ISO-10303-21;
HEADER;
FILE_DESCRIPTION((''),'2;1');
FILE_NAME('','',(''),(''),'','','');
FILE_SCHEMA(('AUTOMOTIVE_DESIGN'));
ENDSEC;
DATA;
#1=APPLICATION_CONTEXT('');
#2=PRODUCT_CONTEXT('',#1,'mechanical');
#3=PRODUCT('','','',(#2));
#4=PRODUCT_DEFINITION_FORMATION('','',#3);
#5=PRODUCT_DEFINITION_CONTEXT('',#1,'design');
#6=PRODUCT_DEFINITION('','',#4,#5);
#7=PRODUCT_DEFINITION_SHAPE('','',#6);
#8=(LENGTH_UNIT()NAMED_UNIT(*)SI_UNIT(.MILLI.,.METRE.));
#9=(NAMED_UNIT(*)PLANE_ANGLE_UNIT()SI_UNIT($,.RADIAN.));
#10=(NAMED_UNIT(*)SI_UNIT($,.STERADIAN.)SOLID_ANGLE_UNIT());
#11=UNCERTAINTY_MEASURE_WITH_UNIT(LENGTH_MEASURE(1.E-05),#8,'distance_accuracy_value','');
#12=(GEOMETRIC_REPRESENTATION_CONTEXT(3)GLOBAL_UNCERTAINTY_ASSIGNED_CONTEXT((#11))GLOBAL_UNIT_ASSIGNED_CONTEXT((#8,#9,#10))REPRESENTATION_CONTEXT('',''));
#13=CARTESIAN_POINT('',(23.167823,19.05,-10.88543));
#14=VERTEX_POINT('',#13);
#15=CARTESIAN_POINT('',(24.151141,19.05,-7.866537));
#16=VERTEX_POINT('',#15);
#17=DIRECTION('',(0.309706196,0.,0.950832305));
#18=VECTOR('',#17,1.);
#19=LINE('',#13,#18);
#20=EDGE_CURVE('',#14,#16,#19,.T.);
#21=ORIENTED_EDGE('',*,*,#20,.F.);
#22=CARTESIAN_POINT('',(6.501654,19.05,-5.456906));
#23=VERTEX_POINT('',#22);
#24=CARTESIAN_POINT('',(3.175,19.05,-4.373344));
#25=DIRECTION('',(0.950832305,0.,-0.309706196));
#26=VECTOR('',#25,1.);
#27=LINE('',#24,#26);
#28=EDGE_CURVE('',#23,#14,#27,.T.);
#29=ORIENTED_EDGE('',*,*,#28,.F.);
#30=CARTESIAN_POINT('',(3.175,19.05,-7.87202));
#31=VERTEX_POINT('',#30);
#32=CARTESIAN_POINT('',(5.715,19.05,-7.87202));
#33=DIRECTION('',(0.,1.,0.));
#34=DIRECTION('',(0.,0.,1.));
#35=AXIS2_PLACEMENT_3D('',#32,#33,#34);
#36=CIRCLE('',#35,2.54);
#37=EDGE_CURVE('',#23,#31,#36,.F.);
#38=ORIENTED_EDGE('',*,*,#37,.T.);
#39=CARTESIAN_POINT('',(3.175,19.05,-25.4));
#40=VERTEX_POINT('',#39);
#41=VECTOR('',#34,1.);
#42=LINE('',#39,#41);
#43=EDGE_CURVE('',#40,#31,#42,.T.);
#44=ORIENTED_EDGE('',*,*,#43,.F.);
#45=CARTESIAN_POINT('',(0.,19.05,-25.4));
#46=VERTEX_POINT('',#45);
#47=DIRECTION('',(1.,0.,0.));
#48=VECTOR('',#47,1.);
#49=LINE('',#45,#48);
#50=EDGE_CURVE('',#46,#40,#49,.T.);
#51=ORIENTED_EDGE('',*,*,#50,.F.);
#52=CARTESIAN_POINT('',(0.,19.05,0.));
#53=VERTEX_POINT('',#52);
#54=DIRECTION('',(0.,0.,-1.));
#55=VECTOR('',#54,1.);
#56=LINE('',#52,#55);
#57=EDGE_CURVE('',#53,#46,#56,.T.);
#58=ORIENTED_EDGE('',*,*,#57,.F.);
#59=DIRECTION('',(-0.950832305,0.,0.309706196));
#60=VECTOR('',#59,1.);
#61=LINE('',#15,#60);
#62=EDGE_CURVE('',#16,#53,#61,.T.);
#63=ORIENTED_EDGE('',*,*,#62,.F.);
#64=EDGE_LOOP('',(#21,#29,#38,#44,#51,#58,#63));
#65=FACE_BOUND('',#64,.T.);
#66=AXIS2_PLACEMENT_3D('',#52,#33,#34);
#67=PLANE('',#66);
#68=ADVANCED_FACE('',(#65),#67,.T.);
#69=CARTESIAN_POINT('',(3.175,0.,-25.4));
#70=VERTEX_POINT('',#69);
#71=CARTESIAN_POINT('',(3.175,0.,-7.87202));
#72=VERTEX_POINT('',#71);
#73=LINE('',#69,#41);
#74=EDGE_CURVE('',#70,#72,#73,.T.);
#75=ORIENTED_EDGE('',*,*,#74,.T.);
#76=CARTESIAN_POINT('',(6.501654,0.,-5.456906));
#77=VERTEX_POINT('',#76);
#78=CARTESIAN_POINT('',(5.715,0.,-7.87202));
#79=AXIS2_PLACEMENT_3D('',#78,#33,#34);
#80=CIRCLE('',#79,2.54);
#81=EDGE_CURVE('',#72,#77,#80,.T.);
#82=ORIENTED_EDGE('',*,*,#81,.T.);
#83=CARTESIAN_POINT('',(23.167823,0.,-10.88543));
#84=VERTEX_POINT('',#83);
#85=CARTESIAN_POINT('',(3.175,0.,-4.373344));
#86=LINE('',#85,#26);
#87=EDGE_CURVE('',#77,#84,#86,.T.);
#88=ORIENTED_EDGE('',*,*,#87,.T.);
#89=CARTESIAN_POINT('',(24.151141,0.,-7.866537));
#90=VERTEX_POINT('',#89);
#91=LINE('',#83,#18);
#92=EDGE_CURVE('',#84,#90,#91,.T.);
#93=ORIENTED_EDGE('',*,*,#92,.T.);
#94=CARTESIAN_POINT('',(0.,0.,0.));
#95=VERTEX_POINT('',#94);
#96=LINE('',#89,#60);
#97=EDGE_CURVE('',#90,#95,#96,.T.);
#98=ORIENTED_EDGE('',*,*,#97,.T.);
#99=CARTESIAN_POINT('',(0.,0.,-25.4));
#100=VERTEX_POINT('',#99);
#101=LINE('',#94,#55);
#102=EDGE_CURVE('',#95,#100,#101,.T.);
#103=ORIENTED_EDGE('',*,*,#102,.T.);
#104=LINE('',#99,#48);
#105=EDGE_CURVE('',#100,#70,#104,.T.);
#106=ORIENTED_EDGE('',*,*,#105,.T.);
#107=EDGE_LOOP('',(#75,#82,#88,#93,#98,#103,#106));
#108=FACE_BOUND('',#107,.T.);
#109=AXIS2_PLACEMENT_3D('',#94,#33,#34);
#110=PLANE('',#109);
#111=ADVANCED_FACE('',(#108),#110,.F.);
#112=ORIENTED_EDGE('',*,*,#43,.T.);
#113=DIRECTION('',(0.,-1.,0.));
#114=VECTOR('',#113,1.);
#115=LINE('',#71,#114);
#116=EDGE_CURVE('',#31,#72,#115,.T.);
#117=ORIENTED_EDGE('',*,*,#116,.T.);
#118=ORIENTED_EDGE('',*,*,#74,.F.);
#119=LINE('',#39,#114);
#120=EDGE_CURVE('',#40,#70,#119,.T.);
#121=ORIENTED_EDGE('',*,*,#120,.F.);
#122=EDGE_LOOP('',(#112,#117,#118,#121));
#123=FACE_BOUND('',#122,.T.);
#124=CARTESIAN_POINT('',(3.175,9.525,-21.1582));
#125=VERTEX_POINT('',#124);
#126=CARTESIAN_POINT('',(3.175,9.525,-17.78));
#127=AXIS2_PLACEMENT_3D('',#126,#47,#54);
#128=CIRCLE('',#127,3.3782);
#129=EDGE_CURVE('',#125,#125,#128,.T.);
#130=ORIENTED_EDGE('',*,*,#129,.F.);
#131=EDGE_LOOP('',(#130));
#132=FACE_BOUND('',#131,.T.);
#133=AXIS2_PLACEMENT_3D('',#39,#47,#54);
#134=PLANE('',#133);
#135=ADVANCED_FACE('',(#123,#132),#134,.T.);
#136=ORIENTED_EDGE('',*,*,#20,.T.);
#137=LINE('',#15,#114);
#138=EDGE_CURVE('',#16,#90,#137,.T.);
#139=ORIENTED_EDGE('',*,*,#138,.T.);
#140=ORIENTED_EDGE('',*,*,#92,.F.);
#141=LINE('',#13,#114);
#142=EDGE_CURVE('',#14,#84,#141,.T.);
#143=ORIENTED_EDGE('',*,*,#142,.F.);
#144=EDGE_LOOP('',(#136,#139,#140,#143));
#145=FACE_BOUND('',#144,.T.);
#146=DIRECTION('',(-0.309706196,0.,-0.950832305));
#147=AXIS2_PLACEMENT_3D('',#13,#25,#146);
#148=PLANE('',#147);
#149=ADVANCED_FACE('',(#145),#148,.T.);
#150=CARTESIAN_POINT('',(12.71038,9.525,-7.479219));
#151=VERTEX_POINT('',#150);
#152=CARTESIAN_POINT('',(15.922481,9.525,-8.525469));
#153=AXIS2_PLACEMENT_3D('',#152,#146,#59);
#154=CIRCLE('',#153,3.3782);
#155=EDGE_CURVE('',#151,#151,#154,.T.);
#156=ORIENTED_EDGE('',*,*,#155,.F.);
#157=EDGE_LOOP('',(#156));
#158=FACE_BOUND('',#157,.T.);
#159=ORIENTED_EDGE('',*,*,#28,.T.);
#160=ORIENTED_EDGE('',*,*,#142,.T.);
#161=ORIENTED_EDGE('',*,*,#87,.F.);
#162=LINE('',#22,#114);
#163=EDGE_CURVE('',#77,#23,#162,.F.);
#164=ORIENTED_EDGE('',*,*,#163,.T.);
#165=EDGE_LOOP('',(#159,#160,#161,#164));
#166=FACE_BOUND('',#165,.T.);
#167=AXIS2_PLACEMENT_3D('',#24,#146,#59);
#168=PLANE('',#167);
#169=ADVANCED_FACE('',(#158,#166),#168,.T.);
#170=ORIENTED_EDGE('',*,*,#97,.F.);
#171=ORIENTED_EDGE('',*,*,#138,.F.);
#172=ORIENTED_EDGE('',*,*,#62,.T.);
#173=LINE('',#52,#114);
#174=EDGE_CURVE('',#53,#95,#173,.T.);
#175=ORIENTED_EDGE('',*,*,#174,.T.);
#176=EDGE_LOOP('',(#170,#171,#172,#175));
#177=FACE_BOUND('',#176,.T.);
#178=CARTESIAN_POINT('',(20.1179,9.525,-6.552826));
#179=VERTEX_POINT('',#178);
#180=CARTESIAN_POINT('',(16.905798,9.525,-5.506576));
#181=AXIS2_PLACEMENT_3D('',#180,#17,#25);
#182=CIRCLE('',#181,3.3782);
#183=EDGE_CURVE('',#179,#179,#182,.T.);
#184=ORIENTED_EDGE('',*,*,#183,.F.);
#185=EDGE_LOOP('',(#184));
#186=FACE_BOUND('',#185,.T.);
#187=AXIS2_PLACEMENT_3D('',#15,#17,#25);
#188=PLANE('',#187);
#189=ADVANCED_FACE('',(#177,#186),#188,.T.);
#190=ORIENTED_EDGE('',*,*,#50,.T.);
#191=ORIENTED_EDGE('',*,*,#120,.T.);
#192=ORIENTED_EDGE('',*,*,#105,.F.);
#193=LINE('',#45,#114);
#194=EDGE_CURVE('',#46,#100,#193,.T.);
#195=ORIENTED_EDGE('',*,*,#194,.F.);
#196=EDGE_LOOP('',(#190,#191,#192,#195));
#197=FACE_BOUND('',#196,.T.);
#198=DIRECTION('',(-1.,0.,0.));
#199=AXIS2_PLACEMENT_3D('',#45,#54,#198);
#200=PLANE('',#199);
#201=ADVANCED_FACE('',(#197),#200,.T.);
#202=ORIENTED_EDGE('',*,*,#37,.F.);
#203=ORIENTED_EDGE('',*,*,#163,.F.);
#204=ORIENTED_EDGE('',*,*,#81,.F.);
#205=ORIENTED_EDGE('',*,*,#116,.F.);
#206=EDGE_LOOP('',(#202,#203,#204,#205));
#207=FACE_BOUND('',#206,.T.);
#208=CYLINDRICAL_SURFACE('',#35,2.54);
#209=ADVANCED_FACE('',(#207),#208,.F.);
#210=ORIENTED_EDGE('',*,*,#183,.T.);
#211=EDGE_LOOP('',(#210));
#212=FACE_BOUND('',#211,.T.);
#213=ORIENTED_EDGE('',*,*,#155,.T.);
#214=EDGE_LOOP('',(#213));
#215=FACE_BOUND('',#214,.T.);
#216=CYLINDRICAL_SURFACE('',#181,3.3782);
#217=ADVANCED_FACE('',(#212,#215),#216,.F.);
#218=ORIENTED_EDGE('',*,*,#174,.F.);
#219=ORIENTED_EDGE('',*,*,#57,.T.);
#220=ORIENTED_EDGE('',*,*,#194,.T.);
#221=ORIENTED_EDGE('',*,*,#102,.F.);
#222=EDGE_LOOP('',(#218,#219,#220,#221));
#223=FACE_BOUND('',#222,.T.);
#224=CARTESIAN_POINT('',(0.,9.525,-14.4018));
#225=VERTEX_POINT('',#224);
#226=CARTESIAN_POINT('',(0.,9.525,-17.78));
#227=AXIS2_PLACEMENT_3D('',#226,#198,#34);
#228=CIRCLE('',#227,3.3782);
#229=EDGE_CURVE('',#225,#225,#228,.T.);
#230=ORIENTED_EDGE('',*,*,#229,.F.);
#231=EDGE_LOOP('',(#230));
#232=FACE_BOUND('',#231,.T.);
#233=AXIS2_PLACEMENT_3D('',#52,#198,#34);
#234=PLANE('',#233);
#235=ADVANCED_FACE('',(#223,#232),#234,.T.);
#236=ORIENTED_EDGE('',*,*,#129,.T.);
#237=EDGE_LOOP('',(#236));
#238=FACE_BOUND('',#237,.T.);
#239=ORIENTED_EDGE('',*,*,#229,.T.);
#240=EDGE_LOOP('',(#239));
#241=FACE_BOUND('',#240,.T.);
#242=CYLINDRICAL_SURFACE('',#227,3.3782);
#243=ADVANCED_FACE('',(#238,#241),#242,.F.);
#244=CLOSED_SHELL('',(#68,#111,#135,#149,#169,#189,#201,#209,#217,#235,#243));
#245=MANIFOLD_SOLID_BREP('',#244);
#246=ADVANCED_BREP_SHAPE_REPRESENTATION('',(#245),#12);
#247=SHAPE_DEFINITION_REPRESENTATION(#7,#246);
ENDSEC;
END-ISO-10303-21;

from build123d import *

# Parameters (mm, degrees)
BOSS_EXTRUDE1_DEPTH     = 19.05
FILLET1_R               = 2.54
F_1_4_CLEARANCE_HOLE1_D = 6.7564
F_1_4_CLEARANCE_HOLE2_D = 6.7564


with BuildPart() as part:
    # Sketch1 → Boss-Extrude1 (new body)
    with BuildSketch(Plane(origin=(0, 0, 0), x_dir=(1, 0, 0), z_dir=(0, 1, 0))):
        Polygon((0, 0), (0, 25.4), (3.175, 25.4), (3.175, 4.373344438), (23.167823374, 10.885429945), (24.151140547, 7.866537377), align=None)
    extrude(amount=BOSS_EXTRUDE1_DEPTH)

    # Fillet1
    fillet1_edges = [part.edges().sort_by_distance(p)[0] for p in [
        (3.175, 9.525, -4.373344438),
    ]]
    fillet(fillet1_edges, radius=FILLET1_R)

    # 1/4 Clearance Hole1 (through all)
    with Locations(Plane.ZY):
        with Locations((-17.78, 9.525)):
            Hole(F_1_4_CLEARANCE_HOLE1_D / 2)

    # 1/4 Clearance Hole2 (through all)
    with Locations(Plane(origin=(0, 0, 0), x_dir=(0.9508323049826902, 0, -0.30970619593625254), z_dir=(0.30970619593625254, 0, 0.9508323049826902))):
        with Locations((17.78, 9.525)):
            Hole(F_1_4_CLEARANCE_HOLE2_D / 2)


solid = part.part
